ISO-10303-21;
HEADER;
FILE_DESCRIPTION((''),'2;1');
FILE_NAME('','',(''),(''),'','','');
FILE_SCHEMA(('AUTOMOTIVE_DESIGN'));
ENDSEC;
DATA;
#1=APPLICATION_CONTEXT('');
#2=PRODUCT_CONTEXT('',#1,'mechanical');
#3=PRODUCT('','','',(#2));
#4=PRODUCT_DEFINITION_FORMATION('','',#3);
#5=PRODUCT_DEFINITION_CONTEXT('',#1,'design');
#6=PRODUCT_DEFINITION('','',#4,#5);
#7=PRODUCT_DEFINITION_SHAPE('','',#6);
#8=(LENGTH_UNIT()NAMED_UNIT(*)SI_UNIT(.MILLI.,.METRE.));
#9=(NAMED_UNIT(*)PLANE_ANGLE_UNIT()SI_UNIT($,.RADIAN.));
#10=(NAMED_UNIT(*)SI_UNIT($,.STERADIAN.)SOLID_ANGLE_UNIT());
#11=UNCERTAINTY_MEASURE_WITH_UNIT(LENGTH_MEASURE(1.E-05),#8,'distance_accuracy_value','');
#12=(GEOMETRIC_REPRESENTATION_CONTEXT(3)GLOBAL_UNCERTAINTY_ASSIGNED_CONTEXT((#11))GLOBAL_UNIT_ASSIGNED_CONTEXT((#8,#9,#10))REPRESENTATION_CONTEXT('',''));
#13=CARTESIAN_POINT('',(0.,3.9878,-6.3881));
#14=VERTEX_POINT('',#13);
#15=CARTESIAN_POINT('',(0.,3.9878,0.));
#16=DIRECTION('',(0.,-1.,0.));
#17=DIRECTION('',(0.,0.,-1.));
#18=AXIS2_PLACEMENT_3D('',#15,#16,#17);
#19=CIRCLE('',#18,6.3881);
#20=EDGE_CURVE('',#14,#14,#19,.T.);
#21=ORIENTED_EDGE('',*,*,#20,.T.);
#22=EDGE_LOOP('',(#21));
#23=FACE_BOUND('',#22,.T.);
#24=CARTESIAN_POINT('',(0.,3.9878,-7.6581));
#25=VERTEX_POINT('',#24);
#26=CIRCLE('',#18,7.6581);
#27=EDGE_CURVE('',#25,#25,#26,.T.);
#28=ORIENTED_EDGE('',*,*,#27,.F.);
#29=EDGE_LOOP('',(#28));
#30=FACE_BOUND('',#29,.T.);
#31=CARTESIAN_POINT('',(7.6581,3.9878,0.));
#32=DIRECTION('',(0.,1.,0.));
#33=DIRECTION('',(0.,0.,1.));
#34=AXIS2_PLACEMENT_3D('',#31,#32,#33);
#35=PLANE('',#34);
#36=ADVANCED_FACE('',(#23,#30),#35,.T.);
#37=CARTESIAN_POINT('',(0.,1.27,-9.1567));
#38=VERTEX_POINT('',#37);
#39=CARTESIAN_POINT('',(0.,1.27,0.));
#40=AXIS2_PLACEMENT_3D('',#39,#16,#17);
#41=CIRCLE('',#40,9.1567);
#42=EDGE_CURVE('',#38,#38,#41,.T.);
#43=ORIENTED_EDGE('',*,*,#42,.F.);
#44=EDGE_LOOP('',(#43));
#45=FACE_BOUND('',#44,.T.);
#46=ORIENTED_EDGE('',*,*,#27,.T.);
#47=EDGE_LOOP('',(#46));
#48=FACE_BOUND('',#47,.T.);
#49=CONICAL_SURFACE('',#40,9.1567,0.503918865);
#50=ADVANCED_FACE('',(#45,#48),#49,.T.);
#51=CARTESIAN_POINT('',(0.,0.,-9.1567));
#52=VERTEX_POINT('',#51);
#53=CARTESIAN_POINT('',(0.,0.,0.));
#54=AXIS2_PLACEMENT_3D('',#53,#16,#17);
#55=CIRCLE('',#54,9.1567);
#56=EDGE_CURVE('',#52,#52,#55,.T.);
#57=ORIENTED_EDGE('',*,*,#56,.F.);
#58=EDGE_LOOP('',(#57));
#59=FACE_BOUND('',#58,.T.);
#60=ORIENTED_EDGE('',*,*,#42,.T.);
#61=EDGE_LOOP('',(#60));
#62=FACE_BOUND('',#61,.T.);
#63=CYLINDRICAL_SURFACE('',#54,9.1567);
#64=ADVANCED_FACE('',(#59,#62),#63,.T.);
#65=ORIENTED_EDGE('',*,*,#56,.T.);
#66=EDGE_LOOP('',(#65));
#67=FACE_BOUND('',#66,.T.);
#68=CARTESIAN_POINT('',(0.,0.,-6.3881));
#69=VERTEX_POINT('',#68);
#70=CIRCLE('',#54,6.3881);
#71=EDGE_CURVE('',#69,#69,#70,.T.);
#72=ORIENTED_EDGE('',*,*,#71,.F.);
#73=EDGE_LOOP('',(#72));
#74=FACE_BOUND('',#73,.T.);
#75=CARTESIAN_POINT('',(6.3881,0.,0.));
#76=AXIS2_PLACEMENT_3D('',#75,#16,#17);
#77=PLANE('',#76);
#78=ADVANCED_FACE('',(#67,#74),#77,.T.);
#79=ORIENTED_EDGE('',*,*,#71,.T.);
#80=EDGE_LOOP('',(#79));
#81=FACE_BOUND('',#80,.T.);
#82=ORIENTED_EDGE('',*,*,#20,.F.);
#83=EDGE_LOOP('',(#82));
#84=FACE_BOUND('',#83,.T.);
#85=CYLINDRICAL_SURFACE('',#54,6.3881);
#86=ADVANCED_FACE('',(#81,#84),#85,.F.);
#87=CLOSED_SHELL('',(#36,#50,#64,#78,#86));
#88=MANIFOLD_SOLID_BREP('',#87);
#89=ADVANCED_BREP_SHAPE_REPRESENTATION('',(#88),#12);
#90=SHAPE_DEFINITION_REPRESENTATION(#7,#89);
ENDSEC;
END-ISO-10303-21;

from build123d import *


with BuildPart() as part:
    # Sketch1 → Revolve1 (revolve)
    with BuildSketch(Plane.XY, mode=Mode.PRIVATE) as revolve1_sk:
        Polygon((6.3881, 0), (9.1567, 0), (9.1567, 1.27), (7.6581, 3.9878), (6.3881, 3.9878), align=None)
    revolve(revolve1_sk.sketch.rotate(Axis((0, 0, 0), (0, 1, 0)), 90), axis=Axis((0, 0, 0), (0, 1, 0)))


solid = part.part
